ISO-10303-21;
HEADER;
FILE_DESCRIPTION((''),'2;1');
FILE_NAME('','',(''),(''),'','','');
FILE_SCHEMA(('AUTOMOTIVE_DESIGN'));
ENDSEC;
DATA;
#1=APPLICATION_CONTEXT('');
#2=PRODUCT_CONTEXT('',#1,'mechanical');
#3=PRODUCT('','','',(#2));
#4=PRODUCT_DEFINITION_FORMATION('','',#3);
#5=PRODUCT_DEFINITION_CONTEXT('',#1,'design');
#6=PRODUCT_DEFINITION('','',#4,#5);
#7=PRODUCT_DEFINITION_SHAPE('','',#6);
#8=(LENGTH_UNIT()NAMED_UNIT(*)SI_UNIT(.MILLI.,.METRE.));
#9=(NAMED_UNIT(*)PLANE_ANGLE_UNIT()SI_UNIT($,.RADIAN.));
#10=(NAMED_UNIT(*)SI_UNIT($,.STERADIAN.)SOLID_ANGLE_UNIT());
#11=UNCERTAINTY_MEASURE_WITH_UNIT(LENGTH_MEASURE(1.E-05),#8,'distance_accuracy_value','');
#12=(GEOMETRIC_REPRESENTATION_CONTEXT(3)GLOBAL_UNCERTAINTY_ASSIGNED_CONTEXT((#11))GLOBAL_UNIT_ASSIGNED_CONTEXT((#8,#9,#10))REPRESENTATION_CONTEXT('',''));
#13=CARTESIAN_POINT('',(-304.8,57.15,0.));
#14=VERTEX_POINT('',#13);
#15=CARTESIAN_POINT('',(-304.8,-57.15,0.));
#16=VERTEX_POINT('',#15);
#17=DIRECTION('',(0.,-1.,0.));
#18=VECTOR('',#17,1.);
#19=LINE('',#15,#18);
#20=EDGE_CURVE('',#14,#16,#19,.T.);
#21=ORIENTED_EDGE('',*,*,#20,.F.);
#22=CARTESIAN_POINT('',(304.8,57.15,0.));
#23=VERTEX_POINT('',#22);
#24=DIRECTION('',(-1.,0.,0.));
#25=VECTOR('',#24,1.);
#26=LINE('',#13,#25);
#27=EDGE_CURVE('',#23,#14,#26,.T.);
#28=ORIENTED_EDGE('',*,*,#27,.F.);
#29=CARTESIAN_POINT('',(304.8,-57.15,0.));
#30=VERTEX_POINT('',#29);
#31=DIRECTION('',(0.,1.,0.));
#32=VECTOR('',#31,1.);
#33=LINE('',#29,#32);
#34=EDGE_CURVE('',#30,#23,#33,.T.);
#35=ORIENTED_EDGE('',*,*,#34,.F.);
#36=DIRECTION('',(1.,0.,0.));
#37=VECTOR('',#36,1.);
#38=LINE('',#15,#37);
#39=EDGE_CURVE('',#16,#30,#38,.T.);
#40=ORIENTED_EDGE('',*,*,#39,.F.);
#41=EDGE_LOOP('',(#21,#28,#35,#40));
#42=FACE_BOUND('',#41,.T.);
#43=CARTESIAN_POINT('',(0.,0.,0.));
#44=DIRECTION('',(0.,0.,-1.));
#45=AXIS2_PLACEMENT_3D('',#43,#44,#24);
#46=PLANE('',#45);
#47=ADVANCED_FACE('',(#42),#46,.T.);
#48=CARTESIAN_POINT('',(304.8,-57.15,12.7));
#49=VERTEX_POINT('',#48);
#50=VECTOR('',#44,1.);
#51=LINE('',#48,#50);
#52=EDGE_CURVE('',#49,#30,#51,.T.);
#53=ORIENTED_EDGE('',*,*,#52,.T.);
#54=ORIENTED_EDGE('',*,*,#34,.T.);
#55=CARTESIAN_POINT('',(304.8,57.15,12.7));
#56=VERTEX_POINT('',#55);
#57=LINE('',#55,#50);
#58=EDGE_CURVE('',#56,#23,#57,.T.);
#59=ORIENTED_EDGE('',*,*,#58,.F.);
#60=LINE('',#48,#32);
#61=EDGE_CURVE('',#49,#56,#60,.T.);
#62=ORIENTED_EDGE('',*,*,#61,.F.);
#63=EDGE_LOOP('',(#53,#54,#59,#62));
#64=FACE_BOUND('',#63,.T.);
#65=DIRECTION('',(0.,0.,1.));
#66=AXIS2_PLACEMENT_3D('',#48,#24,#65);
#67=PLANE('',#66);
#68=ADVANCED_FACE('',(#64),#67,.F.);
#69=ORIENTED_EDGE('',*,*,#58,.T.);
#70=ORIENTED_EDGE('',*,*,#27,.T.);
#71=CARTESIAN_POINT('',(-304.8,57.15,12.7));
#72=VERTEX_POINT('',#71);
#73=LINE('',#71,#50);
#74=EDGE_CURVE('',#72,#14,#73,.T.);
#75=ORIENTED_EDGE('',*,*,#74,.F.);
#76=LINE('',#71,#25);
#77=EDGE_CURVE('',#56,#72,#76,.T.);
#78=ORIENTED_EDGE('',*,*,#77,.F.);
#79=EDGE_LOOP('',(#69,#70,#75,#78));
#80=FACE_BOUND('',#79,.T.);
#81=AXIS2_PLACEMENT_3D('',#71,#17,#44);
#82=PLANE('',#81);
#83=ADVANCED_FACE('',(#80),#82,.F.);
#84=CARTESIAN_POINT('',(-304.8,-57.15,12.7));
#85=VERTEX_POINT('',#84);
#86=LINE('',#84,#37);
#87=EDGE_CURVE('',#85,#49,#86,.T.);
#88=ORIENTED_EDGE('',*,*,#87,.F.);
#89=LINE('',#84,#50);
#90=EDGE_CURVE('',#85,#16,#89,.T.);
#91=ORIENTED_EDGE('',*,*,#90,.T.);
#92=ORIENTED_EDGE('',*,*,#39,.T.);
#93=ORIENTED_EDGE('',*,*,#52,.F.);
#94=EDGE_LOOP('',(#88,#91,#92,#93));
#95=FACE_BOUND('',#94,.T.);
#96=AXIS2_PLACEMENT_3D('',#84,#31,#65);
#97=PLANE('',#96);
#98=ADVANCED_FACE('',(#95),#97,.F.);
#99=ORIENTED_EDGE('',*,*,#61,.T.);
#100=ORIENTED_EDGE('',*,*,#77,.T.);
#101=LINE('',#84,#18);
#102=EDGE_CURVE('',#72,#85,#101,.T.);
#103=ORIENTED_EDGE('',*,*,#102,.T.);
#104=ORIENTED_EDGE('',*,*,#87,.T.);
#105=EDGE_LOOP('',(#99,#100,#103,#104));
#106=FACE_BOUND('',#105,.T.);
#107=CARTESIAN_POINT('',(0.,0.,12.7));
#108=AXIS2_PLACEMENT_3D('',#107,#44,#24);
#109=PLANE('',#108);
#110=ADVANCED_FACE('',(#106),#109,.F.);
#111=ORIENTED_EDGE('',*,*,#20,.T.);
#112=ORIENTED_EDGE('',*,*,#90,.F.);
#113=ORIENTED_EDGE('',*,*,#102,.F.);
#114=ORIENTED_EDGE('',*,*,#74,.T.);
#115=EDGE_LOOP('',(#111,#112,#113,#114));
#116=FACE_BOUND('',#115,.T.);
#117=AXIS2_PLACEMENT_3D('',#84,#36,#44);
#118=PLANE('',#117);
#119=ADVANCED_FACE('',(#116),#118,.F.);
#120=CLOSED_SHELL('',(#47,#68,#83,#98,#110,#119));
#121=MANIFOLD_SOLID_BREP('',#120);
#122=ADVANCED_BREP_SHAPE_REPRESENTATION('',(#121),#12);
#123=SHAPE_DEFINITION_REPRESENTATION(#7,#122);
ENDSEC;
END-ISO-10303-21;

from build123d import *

# Parameters (mm, degrees)
SKETCH1_W           = 609.6
SKETCH1_H           = 114.3
BOSS_EXTRUDE1_DEPTH = 12.7


with BuildPart() as part:
    # Sketch1 → Boss-Extrude1 (new body)
    with BuildSketch(Plane.XY):
        Rectangle(SKETCH1_W, SKETCH1_H)
    extrude(amount=BOSS_EXTRUDE1_DEPTH)


solid = part.part
